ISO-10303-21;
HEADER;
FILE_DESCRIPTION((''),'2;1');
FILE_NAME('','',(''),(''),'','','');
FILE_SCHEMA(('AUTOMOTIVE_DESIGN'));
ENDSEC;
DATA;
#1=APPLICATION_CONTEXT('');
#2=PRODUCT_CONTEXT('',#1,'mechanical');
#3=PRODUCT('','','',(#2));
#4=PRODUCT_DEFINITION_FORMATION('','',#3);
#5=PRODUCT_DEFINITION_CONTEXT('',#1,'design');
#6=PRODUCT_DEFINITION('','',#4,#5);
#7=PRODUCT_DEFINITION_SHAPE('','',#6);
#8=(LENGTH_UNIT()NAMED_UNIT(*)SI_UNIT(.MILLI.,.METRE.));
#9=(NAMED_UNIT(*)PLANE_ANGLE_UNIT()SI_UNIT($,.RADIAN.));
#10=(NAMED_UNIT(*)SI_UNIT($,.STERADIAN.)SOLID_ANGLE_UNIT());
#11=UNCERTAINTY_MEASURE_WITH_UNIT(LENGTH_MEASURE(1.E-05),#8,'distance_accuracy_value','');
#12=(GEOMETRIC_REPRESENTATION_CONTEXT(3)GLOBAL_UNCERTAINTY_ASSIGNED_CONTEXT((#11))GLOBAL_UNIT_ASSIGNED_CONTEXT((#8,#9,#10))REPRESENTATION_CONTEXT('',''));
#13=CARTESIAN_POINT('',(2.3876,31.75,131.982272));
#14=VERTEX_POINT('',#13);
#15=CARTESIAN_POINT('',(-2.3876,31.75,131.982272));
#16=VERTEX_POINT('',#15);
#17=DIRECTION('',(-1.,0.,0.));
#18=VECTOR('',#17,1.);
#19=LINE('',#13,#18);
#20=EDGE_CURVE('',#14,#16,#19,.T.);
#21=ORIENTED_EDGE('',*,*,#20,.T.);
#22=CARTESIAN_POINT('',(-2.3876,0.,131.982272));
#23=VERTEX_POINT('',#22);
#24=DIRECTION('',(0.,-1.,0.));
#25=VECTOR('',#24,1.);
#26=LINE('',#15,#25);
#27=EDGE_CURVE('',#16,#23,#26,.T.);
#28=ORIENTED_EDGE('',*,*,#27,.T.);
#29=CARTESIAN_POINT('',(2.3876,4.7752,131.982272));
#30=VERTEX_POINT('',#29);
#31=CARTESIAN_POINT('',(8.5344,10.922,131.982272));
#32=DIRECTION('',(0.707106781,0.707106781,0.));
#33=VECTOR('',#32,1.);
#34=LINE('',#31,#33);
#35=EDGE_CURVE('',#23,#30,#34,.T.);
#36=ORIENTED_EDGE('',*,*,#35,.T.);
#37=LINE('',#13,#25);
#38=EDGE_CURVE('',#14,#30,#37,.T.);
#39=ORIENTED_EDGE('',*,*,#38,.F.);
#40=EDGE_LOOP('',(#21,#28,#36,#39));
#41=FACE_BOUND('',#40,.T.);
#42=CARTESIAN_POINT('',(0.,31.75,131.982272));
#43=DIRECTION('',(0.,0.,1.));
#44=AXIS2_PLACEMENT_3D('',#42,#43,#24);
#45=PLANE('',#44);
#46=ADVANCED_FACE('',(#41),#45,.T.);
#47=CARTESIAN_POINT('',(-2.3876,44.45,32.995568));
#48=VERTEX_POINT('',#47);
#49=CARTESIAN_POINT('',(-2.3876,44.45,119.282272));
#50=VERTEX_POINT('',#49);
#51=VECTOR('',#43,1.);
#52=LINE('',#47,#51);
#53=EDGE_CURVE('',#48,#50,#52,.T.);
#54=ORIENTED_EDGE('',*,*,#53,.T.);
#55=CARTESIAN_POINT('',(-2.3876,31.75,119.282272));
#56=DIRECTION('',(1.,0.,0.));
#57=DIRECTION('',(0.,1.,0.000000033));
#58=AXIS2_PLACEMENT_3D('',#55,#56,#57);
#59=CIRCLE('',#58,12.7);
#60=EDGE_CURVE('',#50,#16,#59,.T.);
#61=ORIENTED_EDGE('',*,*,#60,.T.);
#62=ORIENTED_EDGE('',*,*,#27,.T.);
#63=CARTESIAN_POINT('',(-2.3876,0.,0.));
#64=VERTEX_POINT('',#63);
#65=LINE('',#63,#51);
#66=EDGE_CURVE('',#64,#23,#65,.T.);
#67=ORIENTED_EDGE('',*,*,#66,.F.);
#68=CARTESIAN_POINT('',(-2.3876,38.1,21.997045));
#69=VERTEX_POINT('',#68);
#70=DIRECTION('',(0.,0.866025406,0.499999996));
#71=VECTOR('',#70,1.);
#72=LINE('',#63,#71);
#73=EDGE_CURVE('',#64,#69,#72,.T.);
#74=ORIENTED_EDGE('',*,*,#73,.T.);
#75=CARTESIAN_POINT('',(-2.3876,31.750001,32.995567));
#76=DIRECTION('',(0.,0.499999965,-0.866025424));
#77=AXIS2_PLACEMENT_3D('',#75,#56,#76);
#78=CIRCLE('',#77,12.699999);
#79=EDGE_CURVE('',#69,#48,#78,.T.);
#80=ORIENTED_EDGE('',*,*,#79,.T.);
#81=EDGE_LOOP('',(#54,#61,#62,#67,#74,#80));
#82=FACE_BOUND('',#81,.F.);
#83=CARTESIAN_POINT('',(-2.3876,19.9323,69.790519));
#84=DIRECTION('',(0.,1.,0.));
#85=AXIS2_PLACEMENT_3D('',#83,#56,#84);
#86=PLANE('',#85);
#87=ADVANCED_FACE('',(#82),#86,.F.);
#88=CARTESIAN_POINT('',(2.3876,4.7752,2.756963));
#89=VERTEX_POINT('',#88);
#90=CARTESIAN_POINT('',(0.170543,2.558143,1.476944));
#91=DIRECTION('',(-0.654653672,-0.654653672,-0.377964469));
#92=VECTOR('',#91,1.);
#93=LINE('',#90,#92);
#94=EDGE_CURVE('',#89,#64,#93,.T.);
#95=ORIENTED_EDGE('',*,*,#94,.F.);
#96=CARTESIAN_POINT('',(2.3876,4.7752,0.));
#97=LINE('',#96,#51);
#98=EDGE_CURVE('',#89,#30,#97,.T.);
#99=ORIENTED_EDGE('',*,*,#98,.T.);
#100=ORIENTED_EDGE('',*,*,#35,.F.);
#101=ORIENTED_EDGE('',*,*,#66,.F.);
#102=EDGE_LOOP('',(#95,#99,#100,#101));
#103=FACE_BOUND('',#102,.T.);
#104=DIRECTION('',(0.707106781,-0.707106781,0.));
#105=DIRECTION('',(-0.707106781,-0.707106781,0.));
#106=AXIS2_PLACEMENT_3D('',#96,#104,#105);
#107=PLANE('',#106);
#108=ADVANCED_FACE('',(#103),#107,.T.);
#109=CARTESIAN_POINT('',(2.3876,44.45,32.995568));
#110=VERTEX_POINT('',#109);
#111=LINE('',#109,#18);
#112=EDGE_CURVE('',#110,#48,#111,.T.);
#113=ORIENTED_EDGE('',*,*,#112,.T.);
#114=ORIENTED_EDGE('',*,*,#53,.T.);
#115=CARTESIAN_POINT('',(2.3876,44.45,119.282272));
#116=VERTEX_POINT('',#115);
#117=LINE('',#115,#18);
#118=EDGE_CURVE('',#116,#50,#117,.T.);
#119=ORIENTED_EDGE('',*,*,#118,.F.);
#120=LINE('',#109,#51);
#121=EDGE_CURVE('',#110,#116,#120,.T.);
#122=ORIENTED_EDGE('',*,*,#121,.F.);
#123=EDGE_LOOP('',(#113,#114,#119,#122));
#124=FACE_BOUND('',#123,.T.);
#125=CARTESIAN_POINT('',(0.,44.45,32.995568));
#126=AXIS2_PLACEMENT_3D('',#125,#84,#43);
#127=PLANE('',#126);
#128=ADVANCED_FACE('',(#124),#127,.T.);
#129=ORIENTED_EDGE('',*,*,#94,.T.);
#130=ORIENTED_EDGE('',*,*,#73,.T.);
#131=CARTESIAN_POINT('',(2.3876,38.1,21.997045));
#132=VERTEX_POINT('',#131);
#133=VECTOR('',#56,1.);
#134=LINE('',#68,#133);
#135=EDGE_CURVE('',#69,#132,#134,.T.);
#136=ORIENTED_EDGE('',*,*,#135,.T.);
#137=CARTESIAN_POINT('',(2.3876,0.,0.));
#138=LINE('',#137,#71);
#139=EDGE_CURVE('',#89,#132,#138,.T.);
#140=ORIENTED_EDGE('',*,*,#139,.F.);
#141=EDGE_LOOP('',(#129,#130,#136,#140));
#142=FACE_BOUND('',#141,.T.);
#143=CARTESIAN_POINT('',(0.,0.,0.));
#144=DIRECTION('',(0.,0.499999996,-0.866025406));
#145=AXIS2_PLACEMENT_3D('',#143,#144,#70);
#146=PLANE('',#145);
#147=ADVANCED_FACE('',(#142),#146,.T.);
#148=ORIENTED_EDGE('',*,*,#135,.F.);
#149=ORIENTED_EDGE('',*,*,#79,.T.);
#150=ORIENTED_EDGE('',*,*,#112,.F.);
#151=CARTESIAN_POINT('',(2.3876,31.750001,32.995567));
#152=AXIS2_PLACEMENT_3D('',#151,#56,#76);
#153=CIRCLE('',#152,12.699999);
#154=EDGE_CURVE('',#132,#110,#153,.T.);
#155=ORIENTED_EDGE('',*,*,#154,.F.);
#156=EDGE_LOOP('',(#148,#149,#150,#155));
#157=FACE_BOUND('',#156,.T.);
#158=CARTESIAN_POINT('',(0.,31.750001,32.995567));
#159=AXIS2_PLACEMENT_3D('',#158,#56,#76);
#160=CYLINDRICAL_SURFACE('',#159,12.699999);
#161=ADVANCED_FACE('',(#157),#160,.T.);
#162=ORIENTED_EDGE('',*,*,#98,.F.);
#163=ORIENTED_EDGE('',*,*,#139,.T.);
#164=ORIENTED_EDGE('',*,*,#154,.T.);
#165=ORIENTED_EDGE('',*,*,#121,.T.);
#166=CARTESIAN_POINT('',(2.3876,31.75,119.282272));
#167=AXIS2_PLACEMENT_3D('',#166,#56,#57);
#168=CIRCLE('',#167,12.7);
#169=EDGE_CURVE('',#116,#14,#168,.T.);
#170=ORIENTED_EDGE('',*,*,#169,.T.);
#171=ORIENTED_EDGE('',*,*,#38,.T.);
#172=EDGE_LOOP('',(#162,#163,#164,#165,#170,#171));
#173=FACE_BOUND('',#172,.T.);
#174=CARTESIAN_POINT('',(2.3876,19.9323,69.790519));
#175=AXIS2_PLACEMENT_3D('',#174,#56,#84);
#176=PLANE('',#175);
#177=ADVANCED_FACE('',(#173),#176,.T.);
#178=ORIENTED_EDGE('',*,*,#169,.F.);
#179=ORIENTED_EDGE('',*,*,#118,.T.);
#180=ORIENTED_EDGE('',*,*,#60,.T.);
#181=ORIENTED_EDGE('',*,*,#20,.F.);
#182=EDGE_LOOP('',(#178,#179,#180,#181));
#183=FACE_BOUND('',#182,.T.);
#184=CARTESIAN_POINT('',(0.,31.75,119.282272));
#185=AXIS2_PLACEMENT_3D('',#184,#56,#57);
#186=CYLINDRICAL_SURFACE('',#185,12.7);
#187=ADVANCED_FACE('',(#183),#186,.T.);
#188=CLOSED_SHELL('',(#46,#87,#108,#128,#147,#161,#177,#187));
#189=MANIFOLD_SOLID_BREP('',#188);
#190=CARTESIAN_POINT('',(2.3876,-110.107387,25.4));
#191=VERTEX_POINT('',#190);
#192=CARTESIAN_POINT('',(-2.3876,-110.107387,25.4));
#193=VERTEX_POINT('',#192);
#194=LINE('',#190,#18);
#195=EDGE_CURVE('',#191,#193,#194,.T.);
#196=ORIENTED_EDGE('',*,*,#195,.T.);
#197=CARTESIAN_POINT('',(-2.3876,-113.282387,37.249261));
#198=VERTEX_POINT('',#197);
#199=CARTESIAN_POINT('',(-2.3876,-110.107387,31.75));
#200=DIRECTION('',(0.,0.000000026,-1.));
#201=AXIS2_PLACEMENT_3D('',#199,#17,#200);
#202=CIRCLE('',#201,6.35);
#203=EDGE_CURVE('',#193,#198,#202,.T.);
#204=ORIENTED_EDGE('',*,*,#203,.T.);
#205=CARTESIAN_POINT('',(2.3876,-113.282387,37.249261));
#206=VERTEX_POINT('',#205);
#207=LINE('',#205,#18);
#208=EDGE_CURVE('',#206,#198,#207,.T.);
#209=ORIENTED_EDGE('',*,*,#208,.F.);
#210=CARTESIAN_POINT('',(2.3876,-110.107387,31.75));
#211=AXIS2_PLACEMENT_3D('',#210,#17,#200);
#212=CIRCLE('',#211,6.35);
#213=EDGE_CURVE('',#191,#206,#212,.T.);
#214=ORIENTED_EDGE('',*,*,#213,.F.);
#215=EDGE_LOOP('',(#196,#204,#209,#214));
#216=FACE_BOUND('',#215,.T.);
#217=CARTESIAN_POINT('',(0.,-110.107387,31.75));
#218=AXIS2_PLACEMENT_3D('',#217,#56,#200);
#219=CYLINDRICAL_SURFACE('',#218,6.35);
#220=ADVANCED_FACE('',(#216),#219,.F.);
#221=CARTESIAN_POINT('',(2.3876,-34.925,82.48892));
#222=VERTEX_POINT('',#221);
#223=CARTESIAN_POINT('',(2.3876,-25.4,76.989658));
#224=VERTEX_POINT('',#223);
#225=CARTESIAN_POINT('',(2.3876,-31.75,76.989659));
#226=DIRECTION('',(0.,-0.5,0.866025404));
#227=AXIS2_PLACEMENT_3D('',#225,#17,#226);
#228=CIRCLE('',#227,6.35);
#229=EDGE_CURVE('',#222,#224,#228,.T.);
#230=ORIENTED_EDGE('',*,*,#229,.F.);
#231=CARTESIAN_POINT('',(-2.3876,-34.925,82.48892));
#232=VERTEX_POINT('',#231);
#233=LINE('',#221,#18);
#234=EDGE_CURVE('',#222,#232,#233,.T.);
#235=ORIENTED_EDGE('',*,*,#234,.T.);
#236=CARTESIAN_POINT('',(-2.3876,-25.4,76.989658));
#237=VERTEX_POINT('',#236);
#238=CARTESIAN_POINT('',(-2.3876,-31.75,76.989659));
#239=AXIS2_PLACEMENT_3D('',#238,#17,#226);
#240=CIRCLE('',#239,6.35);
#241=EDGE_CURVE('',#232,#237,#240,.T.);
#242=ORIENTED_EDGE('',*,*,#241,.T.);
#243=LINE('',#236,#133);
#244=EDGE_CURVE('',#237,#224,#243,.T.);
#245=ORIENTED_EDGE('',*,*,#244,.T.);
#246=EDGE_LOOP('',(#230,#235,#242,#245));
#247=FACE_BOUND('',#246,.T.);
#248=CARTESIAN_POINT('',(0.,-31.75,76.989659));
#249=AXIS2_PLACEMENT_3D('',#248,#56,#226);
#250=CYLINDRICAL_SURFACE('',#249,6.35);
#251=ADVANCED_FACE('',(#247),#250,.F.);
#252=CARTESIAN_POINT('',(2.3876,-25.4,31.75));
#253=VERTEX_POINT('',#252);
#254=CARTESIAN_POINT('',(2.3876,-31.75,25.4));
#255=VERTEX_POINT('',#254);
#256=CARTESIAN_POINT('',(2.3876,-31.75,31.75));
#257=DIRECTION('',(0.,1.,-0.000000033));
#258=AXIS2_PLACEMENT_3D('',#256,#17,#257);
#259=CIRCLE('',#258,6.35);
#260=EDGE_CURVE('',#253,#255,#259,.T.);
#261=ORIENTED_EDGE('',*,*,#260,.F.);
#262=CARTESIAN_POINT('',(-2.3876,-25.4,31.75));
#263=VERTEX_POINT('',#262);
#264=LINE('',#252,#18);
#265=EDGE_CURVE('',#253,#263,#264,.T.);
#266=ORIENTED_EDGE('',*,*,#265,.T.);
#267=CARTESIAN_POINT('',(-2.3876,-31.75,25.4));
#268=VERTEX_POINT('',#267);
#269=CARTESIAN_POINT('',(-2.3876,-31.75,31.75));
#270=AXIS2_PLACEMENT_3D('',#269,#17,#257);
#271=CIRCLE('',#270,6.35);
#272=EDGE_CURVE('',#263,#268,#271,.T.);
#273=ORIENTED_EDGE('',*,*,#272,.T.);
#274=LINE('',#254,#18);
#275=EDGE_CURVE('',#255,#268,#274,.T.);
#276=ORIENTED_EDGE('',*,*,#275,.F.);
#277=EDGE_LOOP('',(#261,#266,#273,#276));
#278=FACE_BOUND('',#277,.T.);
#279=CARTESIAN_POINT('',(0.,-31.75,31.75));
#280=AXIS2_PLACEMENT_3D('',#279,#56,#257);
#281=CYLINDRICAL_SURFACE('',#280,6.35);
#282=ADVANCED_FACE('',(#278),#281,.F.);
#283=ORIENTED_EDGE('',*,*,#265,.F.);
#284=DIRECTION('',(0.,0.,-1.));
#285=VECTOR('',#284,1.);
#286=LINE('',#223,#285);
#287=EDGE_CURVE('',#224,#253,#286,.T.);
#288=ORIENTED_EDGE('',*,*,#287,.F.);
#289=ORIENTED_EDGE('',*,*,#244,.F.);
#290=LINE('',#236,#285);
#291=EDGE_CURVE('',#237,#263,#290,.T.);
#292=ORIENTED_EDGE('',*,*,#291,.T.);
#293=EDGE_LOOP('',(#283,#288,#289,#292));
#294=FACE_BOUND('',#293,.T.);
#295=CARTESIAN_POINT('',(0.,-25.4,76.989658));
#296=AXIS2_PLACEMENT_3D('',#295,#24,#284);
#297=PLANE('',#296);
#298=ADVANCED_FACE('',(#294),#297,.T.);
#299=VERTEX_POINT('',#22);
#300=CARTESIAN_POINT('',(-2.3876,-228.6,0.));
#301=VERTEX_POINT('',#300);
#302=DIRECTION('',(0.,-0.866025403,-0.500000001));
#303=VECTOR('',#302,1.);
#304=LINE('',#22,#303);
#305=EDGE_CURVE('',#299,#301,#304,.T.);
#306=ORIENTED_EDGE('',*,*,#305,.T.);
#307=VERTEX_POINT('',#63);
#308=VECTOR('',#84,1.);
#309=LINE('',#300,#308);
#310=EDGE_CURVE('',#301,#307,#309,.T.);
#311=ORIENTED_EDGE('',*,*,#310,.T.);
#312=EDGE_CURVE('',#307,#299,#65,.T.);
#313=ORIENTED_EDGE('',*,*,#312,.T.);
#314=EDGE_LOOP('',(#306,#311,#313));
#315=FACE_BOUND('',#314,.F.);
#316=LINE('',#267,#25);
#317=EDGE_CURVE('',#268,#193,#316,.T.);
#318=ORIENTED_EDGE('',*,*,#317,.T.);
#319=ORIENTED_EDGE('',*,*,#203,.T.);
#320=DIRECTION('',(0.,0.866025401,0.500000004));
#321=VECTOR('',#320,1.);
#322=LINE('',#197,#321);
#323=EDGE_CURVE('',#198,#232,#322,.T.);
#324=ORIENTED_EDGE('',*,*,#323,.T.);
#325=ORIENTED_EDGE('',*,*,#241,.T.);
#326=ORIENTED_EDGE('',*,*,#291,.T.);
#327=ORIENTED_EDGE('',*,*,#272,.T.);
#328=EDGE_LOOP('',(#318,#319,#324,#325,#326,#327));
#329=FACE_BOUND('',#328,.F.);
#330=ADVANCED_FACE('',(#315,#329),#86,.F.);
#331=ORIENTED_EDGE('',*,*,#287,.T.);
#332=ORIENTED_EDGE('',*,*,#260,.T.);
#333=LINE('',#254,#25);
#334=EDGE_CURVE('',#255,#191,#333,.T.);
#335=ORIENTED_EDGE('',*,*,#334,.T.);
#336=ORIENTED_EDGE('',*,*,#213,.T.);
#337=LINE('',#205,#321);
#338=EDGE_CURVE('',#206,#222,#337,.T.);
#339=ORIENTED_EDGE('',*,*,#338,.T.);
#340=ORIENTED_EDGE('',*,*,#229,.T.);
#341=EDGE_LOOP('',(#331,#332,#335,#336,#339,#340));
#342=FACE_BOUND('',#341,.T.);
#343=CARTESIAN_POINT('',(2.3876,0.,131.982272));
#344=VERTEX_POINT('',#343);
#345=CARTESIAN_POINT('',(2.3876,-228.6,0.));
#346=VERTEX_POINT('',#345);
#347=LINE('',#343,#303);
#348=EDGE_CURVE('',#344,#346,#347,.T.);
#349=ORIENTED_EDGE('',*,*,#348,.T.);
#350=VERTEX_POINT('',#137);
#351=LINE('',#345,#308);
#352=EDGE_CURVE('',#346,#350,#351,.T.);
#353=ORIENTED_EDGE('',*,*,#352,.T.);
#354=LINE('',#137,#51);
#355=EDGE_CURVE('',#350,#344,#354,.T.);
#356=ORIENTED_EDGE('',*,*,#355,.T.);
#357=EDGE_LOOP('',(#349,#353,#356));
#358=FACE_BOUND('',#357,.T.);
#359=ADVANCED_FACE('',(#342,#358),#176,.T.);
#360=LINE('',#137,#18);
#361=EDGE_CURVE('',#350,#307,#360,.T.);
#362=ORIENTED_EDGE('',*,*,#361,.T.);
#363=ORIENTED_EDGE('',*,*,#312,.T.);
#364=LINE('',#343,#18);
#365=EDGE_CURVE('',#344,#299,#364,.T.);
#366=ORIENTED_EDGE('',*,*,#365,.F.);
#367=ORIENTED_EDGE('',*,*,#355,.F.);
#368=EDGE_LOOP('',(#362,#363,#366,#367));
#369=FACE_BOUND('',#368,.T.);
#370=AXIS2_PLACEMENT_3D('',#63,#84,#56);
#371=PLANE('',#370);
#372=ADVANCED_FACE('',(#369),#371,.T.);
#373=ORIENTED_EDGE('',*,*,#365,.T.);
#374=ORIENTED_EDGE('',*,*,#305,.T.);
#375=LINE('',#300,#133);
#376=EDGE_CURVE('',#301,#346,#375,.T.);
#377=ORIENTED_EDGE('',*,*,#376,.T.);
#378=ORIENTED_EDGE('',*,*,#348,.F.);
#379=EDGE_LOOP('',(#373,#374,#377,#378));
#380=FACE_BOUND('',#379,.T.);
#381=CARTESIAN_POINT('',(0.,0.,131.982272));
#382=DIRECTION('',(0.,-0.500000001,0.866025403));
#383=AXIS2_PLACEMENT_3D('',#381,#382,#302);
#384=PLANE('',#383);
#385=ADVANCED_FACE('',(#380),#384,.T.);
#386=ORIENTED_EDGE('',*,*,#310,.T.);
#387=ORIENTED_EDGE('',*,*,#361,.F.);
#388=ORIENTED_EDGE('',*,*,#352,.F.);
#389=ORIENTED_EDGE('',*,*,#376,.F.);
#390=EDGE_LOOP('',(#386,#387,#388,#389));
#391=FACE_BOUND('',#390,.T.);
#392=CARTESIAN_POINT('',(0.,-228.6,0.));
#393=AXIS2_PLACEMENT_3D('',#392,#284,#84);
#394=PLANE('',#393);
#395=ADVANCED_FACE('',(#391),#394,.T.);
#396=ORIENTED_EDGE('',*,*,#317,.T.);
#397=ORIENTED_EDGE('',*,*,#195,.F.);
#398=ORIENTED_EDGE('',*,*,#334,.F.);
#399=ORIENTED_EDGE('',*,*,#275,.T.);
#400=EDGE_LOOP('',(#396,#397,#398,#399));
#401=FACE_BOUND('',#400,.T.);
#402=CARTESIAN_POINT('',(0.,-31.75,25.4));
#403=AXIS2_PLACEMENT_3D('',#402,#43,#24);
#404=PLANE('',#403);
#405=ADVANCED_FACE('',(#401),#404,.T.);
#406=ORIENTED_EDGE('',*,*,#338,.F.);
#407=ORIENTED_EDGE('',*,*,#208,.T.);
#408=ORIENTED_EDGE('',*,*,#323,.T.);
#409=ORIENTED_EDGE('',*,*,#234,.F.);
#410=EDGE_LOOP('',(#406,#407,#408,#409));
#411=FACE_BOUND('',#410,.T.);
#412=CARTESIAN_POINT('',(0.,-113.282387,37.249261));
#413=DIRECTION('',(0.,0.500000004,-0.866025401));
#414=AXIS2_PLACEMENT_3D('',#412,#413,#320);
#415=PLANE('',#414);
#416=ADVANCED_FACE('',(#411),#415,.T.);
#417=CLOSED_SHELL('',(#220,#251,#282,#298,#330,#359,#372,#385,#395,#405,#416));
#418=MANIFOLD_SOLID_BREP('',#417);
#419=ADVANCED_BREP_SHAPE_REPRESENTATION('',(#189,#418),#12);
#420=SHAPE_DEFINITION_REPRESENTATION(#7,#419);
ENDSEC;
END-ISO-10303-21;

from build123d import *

# Parameters (mm, degrees)
F1_DEPTH = 2.3876
F3_DEPTH = 2.3876
F5_DEPTH = 131.983272


with BuildPart() as f1:
    # F0 (on Right) → F1 (new body, symmetric)
    with BuildSketch(Plane.YZ):
        Polygon((0, 131.982272), (-228.6, 0), (0, 0), align=None)
        with BuildLine():
            Line((-25.4, 76.989658), (-25.4, 31.75))
            ThreePointArc((-25.4, 31.75), (-27.259872, 27.259872), (-31.75, 25.4))
            Line((-31.75, 25.4), (-110.107387, 25.4))
            ThreePointArc((-110.107387, 25.4), (-116.241016, 30.106499), (-113.282387, 37.249261))
            Line((-113.282387, 37.249261), (-34.925, 82.48892))
            ThreePointArc((-34.925, 82.48892), (-28.575, 82.48892), (-25.4, 76.989658))
        make_face(mode=Mode.SUBTRACT)
    extrude(amount=F1_DEPTH, both=True)

    # F2 (on Right) → F3 (join, symmetric)
    with BuildSketch(Plane.YZ):
        with BuildLine():
            Line((31.75, 131.982272), (0, 131.982272))
            Line((0, 131.982272), (0, 0))
            Line((0, 0), (38.1, 21.997045))
            ThreePointArc((38.1, 21.997045), (42.748523, 26.645568), (44.45, 32.995568))
            Line((44.45, 32.995568), (44.45, 119.282272))
            ThreePointArc((44.45, 119.282272), (40.730256, 128.262528), (31.75, 131.982272))
        make_face()
    extrude(amount=F3_DEPTH, both=True)

    # F4 (on Top) → F5 (cut, through all)
    with BuildSketch(Plane.XY):
        Polygon((2.3876, 4.7752), (-2.3876, 0), (2.3876, 0), align=None)
    extrude(amount=F5_DEPTH, mode=Mode.SUBTRACT)


solid = f1.part
